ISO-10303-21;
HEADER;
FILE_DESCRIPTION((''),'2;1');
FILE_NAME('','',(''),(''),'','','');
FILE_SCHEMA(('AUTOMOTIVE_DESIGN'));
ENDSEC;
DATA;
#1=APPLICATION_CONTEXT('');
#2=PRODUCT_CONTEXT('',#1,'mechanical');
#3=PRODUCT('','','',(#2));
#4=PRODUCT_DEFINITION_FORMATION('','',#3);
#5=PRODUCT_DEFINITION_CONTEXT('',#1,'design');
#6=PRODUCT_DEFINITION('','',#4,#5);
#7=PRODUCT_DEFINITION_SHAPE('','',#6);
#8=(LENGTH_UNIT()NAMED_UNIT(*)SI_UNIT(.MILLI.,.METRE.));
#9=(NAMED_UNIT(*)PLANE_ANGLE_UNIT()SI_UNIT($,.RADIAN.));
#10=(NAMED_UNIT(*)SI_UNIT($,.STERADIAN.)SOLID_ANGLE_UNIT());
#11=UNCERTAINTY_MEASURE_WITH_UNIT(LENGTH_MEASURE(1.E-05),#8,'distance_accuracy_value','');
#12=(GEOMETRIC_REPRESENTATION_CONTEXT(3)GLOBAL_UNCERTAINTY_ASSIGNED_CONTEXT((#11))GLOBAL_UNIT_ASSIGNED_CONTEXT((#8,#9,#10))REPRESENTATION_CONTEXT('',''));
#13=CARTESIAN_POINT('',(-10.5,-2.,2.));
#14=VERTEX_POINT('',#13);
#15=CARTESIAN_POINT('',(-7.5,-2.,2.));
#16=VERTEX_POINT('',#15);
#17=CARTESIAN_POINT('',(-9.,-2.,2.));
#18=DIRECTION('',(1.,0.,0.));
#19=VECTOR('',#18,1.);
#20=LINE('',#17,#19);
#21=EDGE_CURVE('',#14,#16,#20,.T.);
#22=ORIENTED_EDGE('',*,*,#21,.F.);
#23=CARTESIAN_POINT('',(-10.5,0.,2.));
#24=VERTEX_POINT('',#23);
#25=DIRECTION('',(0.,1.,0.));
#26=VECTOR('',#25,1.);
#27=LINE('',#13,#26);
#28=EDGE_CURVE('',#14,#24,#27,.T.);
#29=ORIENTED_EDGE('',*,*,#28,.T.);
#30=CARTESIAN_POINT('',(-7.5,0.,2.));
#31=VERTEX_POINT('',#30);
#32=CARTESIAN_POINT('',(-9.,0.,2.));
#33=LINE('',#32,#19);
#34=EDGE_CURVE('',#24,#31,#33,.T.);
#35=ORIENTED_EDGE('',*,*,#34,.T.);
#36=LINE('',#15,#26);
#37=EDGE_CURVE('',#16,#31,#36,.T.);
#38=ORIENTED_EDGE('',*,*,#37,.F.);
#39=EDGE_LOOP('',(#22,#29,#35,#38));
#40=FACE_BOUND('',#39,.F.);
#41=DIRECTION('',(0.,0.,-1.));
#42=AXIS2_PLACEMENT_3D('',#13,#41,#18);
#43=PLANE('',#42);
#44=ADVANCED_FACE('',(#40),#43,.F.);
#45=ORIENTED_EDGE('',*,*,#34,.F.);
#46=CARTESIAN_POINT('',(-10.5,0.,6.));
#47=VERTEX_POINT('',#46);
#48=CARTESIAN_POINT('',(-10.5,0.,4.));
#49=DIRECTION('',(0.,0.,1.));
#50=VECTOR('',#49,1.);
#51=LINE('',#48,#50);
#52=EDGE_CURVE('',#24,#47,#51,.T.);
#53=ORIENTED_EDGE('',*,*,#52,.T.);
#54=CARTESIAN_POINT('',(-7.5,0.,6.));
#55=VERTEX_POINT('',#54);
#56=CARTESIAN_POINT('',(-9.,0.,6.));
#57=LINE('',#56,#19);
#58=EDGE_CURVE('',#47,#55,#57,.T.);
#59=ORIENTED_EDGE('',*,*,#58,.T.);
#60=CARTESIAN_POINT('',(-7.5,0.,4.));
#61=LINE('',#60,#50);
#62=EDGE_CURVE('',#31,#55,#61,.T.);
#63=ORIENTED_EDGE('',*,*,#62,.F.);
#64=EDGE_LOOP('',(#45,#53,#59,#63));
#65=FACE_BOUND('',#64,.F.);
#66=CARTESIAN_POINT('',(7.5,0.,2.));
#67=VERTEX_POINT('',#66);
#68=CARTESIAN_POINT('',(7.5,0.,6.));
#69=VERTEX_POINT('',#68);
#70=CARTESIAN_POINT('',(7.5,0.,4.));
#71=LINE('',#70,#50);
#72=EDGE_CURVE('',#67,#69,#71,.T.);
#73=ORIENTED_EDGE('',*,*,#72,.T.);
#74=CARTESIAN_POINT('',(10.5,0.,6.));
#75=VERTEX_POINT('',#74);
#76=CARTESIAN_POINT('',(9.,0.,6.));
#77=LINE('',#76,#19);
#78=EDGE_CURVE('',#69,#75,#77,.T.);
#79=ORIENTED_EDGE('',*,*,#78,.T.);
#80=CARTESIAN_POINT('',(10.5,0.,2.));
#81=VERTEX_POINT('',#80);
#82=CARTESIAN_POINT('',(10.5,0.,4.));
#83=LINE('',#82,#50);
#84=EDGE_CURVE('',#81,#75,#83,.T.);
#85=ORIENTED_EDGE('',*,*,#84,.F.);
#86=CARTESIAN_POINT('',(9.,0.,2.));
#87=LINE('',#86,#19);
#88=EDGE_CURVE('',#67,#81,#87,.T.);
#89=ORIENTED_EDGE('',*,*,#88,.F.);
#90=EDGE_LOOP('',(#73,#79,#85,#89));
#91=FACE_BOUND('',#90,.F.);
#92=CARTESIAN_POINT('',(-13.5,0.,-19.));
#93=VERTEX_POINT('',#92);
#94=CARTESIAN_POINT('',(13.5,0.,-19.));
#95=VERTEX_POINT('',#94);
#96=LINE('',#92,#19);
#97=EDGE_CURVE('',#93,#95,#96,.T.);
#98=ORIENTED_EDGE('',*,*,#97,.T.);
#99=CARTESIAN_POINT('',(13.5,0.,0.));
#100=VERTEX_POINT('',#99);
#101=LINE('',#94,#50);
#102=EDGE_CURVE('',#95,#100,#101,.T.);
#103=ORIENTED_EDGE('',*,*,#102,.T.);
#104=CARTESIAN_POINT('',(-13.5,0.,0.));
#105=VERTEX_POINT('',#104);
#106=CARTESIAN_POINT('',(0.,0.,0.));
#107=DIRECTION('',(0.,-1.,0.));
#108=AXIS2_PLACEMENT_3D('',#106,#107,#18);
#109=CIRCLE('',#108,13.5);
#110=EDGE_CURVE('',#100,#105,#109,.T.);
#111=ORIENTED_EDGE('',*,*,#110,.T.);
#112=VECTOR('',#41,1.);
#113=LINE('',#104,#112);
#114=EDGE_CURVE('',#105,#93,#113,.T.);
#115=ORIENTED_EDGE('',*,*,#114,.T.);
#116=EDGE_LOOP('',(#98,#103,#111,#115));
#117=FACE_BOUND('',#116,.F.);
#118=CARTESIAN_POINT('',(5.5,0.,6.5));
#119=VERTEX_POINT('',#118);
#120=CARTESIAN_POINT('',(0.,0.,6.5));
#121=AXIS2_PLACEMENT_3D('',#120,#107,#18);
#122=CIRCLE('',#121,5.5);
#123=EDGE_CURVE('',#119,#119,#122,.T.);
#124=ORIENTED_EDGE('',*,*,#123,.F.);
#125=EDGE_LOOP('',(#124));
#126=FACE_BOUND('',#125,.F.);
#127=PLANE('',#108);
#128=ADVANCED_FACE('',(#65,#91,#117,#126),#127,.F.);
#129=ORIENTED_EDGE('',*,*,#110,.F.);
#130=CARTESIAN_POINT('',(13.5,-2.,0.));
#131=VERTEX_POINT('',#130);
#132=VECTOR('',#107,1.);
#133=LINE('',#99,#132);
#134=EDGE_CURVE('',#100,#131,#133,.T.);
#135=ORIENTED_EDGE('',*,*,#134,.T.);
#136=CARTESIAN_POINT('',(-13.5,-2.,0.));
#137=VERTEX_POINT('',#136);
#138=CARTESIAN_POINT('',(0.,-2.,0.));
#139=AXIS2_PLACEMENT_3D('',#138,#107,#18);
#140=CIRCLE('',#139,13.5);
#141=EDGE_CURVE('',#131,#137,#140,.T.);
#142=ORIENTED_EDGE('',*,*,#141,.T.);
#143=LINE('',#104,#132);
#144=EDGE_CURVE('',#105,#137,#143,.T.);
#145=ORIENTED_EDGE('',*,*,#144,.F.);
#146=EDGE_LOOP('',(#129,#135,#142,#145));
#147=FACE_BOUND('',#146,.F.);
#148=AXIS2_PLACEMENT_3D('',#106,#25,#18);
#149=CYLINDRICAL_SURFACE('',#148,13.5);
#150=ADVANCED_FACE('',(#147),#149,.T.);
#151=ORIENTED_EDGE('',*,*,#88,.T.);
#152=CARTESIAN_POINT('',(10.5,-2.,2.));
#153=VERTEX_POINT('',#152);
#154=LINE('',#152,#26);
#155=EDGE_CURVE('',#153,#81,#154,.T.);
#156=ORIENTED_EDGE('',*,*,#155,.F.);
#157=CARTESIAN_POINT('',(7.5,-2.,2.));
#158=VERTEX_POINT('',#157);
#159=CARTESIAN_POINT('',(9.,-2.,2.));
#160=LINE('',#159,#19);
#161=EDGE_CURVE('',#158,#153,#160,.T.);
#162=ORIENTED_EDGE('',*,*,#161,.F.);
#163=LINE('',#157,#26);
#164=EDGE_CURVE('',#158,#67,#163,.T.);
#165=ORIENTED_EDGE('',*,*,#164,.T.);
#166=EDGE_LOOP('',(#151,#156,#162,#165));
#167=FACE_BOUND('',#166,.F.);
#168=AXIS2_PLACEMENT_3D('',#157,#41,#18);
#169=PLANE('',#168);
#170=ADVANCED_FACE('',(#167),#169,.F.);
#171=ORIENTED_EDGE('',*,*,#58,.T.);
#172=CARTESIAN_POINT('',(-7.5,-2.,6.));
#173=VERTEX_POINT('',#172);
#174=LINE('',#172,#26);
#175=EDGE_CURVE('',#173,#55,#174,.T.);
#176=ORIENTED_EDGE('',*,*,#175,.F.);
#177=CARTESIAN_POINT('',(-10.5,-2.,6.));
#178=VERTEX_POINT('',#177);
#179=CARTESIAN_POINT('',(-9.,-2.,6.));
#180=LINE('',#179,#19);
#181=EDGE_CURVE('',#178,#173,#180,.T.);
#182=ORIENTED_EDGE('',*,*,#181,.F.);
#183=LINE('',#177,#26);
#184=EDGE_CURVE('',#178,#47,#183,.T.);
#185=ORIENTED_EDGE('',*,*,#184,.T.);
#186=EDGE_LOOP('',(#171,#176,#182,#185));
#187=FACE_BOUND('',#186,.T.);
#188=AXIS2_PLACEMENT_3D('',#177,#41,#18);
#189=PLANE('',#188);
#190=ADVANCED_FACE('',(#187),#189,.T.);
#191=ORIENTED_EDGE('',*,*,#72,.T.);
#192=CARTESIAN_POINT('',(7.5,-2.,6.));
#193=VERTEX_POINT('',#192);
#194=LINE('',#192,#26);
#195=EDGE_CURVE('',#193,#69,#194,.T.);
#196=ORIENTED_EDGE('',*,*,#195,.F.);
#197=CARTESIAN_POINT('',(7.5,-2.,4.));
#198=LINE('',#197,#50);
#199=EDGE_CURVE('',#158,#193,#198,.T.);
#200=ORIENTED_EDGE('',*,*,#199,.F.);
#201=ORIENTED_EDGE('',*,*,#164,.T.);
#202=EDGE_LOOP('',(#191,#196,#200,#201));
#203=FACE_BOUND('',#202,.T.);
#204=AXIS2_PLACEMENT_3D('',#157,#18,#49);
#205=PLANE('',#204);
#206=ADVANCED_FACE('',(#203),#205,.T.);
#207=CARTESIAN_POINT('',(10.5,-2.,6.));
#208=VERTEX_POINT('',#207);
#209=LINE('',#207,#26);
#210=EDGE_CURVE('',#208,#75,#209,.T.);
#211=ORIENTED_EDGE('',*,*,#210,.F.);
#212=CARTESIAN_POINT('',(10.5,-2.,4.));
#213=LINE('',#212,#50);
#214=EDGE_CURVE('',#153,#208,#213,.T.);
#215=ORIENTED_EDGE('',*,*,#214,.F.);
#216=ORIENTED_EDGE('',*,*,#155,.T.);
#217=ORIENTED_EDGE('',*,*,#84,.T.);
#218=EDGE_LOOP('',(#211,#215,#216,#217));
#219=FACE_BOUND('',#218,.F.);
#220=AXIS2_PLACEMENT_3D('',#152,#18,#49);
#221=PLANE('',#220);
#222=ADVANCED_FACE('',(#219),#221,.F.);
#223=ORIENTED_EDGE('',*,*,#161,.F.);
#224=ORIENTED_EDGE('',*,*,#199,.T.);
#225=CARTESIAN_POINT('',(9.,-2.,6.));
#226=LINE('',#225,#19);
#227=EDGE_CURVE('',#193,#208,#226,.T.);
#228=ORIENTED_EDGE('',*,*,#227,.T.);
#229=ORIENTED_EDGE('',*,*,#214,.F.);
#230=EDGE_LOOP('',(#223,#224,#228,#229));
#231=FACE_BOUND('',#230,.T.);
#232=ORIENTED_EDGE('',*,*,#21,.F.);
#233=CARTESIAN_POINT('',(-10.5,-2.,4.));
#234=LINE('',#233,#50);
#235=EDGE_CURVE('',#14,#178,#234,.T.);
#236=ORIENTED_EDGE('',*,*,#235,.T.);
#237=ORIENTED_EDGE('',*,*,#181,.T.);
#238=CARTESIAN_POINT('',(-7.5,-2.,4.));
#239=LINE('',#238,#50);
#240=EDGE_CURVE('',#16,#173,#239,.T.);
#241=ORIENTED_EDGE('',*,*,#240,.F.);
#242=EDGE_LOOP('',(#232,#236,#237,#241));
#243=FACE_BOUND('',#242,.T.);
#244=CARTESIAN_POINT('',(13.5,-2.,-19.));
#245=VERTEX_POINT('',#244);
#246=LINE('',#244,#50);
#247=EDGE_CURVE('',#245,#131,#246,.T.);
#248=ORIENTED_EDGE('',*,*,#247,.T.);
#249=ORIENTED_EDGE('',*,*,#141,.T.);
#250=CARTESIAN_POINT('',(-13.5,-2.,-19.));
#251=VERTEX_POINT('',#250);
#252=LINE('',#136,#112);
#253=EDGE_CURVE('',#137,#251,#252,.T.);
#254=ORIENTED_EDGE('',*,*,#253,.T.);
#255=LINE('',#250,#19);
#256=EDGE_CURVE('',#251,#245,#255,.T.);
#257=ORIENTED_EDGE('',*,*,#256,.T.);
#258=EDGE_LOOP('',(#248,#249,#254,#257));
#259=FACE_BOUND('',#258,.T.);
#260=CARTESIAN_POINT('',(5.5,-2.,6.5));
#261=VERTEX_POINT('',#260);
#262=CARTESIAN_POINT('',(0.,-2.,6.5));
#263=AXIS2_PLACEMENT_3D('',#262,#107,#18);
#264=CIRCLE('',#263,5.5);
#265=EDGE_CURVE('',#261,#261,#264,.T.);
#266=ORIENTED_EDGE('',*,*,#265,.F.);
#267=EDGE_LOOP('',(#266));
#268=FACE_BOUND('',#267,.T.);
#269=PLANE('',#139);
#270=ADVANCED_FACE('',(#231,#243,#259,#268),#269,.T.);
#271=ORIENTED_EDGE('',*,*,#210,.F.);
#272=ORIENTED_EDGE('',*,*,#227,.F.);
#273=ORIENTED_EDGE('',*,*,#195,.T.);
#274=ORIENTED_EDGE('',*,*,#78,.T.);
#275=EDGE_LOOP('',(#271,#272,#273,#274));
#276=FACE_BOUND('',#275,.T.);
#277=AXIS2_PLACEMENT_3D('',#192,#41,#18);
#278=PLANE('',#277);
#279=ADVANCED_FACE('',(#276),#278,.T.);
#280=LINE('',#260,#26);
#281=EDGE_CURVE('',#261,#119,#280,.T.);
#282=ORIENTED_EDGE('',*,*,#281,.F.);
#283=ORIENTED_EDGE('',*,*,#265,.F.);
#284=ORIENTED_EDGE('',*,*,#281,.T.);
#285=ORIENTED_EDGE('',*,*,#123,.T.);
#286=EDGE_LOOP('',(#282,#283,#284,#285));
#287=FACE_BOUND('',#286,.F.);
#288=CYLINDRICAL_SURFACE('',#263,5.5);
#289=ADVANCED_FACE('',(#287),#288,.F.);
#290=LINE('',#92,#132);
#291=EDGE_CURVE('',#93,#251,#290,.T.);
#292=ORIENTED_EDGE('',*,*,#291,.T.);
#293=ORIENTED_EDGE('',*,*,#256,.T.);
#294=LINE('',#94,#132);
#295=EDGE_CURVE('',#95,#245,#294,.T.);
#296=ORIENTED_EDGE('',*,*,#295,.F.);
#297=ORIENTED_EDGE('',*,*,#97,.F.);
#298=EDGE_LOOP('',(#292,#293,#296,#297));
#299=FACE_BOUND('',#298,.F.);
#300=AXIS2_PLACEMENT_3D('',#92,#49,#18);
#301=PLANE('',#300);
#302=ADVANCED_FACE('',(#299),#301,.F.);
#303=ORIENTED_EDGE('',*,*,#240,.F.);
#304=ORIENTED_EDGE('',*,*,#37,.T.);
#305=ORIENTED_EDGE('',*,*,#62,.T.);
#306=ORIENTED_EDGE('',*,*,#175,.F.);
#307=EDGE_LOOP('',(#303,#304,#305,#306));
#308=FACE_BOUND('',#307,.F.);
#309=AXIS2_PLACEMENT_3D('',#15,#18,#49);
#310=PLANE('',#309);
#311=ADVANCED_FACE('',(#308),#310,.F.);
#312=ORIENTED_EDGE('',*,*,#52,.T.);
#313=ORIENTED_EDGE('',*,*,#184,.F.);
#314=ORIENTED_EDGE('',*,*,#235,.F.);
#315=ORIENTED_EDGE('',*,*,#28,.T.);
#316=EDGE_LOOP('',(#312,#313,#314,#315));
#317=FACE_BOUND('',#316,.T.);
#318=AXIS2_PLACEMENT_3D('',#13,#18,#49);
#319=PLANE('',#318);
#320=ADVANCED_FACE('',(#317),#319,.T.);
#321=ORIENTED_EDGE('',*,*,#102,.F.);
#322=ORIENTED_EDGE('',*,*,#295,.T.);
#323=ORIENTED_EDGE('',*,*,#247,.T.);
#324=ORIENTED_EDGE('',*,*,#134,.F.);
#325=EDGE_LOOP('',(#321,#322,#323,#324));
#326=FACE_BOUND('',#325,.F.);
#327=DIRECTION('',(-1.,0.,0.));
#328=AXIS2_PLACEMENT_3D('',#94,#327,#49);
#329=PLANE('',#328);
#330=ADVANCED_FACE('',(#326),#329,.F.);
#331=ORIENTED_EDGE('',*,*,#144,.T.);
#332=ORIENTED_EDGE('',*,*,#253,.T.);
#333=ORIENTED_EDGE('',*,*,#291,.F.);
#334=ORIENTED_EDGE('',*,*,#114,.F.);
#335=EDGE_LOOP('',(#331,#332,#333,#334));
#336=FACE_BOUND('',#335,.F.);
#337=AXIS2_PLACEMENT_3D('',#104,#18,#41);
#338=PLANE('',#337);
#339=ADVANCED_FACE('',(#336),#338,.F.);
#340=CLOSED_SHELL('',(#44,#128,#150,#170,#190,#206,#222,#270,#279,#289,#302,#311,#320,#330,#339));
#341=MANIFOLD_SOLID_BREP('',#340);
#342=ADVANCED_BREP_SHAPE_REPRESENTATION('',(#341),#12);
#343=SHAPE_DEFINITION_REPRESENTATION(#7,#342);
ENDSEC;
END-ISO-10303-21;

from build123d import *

# Parameters (mm, degrees)
F1_DEPTH = 2
F2_R     = 5.5
F2_W     = 3
F2_H     = 4
F3_DEPTH = 2


with BuildPart() as f1:
    # F0 (on Front) → F1 (new body)
    with BuildSketch(Plane.XZ):
        with BuildLine():
            ThreePointArc((-13.5, 0), (0, -13.5), (13.5, 0))
            ThreePointArc((13.5, 0), (0, 13.5), (-13.5, 0))
        make_face()
        with BuildLine():
            Line((13.5, -19), (13.5, 0))
            ThreePointArc((13.5, 0), (0, -13.5), (-13.5, 0))
            Line((-13.5, 0), (-13.5, -19))
            Line((-13.5, -19), (13.5, -19))
        make_face()
    extrude(amount=F1_DEPTH)

    # F2 (on face) → F3 (cut)
    with BuildSketch(Plane.XZ.offset(2)):
        with Locations((0, 6.5)):
            Circle(F2_R)
        with Locations((-9, 4)):
            Rectangle(F2_W, F2_H)
        with Locations((9, 4)):
            Rectangle(F2_W, F2_H)
    extrude(amount=-F3_DEPTH, mode=Mode.SUBTRACT)


solid = f1.part
